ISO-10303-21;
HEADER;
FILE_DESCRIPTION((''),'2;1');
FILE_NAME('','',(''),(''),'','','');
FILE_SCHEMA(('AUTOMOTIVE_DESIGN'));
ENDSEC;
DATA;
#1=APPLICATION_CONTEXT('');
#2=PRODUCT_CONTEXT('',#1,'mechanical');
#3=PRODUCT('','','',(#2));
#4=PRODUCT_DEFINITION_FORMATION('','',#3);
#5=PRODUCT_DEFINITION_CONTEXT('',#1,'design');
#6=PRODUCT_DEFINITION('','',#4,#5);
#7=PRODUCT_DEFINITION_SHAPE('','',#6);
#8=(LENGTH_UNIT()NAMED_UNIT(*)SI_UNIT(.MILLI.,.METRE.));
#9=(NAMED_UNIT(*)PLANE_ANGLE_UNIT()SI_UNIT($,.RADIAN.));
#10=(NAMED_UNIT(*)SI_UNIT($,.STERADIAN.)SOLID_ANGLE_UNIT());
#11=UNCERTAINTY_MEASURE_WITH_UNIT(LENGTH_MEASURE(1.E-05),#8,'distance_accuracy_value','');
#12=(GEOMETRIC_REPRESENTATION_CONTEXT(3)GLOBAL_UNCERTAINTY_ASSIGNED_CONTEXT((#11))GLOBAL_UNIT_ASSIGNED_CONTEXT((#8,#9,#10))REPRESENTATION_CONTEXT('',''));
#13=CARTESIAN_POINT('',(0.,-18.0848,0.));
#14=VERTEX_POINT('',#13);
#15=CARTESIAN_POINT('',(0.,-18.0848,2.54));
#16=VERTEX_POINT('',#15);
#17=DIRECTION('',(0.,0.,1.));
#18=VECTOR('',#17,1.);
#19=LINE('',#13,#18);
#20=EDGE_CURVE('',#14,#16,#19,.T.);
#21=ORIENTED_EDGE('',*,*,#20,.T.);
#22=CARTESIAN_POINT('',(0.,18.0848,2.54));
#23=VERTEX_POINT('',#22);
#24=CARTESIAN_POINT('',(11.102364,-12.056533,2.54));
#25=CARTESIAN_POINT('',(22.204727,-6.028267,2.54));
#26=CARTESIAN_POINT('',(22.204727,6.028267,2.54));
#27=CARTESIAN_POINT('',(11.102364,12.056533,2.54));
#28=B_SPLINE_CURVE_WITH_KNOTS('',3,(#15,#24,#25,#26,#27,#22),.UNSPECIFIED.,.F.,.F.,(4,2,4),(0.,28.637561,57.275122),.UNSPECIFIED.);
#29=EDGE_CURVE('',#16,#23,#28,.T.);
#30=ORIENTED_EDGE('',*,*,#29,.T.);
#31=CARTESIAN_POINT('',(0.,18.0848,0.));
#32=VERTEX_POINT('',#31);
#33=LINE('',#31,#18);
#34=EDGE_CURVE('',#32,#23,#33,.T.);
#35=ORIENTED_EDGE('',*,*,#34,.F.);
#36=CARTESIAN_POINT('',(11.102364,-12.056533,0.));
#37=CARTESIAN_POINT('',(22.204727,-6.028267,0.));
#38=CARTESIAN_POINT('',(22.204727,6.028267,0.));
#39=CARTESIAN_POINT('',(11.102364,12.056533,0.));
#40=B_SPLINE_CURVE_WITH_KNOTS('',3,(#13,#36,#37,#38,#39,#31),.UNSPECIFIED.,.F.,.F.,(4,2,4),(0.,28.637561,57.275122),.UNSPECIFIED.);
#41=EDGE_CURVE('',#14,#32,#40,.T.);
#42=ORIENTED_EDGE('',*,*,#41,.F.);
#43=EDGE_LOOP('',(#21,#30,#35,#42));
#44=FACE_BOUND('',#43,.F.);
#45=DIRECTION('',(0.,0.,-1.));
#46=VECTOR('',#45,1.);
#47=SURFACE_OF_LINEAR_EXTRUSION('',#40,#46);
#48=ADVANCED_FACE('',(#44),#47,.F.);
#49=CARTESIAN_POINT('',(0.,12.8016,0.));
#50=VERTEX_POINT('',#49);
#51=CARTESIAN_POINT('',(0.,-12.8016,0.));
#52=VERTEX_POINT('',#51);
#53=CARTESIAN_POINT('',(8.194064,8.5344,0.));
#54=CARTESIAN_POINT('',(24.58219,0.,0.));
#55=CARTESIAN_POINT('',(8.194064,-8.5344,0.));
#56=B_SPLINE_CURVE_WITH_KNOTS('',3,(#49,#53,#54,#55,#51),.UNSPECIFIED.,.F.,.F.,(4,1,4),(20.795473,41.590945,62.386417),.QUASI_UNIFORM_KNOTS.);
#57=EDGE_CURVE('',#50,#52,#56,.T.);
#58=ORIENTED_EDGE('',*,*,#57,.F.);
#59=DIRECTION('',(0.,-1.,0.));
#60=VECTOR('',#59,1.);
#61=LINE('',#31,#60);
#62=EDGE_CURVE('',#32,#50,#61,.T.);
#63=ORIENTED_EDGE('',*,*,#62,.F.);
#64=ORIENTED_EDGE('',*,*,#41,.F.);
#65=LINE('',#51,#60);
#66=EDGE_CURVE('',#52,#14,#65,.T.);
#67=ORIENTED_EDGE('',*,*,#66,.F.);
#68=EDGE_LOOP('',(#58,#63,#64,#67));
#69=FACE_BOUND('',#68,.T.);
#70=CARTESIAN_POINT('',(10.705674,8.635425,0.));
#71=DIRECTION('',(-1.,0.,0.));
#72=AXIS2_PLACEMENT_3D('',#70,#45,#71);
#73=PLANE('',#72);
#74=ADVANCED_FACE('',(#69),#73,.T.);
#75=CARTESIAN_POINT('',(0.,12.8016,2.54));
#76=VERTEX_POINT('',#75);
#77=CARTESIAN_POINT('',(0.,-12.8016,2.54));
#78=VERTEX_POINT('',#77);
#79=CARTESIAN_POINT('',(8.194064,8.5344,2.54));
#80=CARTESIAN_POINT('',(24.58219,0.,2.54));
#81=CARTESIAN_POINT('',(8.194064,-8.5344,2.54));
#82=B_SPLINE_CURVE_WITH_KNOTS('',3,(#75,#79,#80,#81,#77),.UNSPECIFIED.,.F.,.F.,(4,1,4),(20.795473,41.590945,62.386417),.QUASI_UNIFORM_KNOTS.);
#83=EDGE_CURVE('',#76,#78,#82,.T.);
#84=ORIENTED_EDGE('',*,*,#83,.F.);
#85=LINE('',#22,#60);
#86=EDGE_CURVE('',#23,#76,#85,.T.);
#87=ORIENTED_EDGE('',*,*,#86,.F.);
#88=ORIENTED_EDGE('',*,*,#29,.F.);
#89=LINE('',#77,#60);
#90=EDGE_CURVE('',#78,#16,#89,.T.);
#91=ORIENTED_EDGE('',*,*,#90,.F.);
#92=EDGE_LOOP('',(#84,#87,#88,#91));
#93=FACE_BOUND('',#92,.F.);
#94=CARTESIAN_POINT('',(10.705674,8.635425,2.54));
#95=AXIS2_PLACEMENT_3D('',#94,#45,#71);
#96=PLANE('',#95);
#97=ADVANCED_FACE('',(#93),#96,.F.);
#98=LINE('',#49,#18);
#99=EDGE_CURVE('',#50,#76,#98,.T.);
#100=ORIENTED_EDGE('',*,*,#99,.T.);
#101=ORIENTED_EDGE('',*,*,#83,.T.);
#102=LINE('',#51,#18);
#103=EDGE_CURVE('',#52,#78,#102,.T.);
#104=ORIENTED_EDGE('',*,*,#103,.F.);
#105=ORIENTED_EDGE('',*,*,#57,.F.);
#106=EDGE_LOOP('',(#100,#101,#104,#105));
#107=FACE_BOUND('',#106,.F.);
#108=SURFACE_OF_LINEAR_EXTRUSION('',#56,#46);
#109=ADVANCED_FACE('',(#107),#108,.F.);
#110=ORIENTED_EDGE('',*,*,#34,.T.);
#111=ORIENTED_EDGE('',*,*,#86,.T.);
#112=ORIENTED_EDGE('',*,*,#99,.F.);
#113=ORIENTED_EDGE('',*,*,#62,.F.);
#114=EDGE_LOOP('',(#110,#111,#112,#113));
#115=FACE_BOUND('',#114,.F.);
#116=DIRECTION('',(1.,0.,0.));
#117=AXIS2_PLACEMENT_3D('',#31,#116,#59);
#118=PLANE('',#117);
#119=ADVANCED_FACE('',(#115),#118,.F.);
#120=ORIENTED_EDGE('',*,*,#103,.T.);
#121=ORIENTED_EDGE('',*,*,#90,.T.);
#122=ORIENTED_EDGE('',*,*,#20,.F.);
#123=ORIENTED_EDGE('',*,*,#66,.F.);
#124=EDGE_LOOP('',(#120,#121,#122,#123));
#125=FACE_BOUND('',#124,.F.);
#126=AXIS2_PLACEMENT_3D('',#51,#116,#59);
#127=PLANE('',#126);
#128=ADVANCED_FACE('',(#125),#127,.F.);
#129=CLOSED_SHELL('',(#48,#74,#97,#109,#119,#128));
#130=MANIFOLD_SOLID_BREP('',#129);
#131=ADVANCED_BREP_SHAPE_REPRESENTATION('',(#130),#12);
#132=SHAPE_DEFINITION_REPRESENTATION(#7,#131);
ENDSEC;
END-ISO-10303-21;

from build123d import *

# Parameters (mm, degrees)
F1_DEPTH = 2.54


with BuildPart() as f1:
    # F0 (on Top) → F1 (new body)
    with BuildSketch(Plane.XY):
        with BuildLine():
            add(Edge.make_bspline(
                [(16.388127, 0), (16.388127, 4.2672), (8.194064, 8.5344), (0, 12.8016)],
                knots=[20.795473, 20.795473, 20.795473, 20.795473, 41.590945, 41.590945, 41.590945, 41.590945], degree=3))
            Line((16.388127, 0), (22.204727, 0))
            add(Edge.make_bspline(
                [(22.204727, 0), (22.204727, 6.028267), (11.102364, 12.056533), (0, 18.0848)],
                knots=[28.637561, 28.637561, 28.637561, 28.637561, 57.275122, 57.275122, 57.275122, 57.275122], degree=3))
            Line((0, 18.0848), (0, 12.8016))
        make_face()
        with BuildLine():
            Line((22.204727, 0), (16.388127, 0))
            add(Edge.make_bspline(
                [(0, -12.8016), (8.194064, -8.5344), (16.388127, -4.2672), (16.388127, 0)],
                knots=[0, 0, 0, 0, 20.795473, 20.795473, 20.795473, 20.795473], degree=3))
            Line((0, -12.8016), (0, -18.0848))
            add(Edge.make_bspline(
                [(0, -18.0848), (11.102364, -12.056533), (22.204727, -6.028267), (22.204727, 0)],
                knots=[0, 0, 0, 0, 28.637561, 28.637561, 28.637561, 28.637561], degree=3))
        make_face()
    extrude(amount=F1_DEPTH)


solid = f1.part
